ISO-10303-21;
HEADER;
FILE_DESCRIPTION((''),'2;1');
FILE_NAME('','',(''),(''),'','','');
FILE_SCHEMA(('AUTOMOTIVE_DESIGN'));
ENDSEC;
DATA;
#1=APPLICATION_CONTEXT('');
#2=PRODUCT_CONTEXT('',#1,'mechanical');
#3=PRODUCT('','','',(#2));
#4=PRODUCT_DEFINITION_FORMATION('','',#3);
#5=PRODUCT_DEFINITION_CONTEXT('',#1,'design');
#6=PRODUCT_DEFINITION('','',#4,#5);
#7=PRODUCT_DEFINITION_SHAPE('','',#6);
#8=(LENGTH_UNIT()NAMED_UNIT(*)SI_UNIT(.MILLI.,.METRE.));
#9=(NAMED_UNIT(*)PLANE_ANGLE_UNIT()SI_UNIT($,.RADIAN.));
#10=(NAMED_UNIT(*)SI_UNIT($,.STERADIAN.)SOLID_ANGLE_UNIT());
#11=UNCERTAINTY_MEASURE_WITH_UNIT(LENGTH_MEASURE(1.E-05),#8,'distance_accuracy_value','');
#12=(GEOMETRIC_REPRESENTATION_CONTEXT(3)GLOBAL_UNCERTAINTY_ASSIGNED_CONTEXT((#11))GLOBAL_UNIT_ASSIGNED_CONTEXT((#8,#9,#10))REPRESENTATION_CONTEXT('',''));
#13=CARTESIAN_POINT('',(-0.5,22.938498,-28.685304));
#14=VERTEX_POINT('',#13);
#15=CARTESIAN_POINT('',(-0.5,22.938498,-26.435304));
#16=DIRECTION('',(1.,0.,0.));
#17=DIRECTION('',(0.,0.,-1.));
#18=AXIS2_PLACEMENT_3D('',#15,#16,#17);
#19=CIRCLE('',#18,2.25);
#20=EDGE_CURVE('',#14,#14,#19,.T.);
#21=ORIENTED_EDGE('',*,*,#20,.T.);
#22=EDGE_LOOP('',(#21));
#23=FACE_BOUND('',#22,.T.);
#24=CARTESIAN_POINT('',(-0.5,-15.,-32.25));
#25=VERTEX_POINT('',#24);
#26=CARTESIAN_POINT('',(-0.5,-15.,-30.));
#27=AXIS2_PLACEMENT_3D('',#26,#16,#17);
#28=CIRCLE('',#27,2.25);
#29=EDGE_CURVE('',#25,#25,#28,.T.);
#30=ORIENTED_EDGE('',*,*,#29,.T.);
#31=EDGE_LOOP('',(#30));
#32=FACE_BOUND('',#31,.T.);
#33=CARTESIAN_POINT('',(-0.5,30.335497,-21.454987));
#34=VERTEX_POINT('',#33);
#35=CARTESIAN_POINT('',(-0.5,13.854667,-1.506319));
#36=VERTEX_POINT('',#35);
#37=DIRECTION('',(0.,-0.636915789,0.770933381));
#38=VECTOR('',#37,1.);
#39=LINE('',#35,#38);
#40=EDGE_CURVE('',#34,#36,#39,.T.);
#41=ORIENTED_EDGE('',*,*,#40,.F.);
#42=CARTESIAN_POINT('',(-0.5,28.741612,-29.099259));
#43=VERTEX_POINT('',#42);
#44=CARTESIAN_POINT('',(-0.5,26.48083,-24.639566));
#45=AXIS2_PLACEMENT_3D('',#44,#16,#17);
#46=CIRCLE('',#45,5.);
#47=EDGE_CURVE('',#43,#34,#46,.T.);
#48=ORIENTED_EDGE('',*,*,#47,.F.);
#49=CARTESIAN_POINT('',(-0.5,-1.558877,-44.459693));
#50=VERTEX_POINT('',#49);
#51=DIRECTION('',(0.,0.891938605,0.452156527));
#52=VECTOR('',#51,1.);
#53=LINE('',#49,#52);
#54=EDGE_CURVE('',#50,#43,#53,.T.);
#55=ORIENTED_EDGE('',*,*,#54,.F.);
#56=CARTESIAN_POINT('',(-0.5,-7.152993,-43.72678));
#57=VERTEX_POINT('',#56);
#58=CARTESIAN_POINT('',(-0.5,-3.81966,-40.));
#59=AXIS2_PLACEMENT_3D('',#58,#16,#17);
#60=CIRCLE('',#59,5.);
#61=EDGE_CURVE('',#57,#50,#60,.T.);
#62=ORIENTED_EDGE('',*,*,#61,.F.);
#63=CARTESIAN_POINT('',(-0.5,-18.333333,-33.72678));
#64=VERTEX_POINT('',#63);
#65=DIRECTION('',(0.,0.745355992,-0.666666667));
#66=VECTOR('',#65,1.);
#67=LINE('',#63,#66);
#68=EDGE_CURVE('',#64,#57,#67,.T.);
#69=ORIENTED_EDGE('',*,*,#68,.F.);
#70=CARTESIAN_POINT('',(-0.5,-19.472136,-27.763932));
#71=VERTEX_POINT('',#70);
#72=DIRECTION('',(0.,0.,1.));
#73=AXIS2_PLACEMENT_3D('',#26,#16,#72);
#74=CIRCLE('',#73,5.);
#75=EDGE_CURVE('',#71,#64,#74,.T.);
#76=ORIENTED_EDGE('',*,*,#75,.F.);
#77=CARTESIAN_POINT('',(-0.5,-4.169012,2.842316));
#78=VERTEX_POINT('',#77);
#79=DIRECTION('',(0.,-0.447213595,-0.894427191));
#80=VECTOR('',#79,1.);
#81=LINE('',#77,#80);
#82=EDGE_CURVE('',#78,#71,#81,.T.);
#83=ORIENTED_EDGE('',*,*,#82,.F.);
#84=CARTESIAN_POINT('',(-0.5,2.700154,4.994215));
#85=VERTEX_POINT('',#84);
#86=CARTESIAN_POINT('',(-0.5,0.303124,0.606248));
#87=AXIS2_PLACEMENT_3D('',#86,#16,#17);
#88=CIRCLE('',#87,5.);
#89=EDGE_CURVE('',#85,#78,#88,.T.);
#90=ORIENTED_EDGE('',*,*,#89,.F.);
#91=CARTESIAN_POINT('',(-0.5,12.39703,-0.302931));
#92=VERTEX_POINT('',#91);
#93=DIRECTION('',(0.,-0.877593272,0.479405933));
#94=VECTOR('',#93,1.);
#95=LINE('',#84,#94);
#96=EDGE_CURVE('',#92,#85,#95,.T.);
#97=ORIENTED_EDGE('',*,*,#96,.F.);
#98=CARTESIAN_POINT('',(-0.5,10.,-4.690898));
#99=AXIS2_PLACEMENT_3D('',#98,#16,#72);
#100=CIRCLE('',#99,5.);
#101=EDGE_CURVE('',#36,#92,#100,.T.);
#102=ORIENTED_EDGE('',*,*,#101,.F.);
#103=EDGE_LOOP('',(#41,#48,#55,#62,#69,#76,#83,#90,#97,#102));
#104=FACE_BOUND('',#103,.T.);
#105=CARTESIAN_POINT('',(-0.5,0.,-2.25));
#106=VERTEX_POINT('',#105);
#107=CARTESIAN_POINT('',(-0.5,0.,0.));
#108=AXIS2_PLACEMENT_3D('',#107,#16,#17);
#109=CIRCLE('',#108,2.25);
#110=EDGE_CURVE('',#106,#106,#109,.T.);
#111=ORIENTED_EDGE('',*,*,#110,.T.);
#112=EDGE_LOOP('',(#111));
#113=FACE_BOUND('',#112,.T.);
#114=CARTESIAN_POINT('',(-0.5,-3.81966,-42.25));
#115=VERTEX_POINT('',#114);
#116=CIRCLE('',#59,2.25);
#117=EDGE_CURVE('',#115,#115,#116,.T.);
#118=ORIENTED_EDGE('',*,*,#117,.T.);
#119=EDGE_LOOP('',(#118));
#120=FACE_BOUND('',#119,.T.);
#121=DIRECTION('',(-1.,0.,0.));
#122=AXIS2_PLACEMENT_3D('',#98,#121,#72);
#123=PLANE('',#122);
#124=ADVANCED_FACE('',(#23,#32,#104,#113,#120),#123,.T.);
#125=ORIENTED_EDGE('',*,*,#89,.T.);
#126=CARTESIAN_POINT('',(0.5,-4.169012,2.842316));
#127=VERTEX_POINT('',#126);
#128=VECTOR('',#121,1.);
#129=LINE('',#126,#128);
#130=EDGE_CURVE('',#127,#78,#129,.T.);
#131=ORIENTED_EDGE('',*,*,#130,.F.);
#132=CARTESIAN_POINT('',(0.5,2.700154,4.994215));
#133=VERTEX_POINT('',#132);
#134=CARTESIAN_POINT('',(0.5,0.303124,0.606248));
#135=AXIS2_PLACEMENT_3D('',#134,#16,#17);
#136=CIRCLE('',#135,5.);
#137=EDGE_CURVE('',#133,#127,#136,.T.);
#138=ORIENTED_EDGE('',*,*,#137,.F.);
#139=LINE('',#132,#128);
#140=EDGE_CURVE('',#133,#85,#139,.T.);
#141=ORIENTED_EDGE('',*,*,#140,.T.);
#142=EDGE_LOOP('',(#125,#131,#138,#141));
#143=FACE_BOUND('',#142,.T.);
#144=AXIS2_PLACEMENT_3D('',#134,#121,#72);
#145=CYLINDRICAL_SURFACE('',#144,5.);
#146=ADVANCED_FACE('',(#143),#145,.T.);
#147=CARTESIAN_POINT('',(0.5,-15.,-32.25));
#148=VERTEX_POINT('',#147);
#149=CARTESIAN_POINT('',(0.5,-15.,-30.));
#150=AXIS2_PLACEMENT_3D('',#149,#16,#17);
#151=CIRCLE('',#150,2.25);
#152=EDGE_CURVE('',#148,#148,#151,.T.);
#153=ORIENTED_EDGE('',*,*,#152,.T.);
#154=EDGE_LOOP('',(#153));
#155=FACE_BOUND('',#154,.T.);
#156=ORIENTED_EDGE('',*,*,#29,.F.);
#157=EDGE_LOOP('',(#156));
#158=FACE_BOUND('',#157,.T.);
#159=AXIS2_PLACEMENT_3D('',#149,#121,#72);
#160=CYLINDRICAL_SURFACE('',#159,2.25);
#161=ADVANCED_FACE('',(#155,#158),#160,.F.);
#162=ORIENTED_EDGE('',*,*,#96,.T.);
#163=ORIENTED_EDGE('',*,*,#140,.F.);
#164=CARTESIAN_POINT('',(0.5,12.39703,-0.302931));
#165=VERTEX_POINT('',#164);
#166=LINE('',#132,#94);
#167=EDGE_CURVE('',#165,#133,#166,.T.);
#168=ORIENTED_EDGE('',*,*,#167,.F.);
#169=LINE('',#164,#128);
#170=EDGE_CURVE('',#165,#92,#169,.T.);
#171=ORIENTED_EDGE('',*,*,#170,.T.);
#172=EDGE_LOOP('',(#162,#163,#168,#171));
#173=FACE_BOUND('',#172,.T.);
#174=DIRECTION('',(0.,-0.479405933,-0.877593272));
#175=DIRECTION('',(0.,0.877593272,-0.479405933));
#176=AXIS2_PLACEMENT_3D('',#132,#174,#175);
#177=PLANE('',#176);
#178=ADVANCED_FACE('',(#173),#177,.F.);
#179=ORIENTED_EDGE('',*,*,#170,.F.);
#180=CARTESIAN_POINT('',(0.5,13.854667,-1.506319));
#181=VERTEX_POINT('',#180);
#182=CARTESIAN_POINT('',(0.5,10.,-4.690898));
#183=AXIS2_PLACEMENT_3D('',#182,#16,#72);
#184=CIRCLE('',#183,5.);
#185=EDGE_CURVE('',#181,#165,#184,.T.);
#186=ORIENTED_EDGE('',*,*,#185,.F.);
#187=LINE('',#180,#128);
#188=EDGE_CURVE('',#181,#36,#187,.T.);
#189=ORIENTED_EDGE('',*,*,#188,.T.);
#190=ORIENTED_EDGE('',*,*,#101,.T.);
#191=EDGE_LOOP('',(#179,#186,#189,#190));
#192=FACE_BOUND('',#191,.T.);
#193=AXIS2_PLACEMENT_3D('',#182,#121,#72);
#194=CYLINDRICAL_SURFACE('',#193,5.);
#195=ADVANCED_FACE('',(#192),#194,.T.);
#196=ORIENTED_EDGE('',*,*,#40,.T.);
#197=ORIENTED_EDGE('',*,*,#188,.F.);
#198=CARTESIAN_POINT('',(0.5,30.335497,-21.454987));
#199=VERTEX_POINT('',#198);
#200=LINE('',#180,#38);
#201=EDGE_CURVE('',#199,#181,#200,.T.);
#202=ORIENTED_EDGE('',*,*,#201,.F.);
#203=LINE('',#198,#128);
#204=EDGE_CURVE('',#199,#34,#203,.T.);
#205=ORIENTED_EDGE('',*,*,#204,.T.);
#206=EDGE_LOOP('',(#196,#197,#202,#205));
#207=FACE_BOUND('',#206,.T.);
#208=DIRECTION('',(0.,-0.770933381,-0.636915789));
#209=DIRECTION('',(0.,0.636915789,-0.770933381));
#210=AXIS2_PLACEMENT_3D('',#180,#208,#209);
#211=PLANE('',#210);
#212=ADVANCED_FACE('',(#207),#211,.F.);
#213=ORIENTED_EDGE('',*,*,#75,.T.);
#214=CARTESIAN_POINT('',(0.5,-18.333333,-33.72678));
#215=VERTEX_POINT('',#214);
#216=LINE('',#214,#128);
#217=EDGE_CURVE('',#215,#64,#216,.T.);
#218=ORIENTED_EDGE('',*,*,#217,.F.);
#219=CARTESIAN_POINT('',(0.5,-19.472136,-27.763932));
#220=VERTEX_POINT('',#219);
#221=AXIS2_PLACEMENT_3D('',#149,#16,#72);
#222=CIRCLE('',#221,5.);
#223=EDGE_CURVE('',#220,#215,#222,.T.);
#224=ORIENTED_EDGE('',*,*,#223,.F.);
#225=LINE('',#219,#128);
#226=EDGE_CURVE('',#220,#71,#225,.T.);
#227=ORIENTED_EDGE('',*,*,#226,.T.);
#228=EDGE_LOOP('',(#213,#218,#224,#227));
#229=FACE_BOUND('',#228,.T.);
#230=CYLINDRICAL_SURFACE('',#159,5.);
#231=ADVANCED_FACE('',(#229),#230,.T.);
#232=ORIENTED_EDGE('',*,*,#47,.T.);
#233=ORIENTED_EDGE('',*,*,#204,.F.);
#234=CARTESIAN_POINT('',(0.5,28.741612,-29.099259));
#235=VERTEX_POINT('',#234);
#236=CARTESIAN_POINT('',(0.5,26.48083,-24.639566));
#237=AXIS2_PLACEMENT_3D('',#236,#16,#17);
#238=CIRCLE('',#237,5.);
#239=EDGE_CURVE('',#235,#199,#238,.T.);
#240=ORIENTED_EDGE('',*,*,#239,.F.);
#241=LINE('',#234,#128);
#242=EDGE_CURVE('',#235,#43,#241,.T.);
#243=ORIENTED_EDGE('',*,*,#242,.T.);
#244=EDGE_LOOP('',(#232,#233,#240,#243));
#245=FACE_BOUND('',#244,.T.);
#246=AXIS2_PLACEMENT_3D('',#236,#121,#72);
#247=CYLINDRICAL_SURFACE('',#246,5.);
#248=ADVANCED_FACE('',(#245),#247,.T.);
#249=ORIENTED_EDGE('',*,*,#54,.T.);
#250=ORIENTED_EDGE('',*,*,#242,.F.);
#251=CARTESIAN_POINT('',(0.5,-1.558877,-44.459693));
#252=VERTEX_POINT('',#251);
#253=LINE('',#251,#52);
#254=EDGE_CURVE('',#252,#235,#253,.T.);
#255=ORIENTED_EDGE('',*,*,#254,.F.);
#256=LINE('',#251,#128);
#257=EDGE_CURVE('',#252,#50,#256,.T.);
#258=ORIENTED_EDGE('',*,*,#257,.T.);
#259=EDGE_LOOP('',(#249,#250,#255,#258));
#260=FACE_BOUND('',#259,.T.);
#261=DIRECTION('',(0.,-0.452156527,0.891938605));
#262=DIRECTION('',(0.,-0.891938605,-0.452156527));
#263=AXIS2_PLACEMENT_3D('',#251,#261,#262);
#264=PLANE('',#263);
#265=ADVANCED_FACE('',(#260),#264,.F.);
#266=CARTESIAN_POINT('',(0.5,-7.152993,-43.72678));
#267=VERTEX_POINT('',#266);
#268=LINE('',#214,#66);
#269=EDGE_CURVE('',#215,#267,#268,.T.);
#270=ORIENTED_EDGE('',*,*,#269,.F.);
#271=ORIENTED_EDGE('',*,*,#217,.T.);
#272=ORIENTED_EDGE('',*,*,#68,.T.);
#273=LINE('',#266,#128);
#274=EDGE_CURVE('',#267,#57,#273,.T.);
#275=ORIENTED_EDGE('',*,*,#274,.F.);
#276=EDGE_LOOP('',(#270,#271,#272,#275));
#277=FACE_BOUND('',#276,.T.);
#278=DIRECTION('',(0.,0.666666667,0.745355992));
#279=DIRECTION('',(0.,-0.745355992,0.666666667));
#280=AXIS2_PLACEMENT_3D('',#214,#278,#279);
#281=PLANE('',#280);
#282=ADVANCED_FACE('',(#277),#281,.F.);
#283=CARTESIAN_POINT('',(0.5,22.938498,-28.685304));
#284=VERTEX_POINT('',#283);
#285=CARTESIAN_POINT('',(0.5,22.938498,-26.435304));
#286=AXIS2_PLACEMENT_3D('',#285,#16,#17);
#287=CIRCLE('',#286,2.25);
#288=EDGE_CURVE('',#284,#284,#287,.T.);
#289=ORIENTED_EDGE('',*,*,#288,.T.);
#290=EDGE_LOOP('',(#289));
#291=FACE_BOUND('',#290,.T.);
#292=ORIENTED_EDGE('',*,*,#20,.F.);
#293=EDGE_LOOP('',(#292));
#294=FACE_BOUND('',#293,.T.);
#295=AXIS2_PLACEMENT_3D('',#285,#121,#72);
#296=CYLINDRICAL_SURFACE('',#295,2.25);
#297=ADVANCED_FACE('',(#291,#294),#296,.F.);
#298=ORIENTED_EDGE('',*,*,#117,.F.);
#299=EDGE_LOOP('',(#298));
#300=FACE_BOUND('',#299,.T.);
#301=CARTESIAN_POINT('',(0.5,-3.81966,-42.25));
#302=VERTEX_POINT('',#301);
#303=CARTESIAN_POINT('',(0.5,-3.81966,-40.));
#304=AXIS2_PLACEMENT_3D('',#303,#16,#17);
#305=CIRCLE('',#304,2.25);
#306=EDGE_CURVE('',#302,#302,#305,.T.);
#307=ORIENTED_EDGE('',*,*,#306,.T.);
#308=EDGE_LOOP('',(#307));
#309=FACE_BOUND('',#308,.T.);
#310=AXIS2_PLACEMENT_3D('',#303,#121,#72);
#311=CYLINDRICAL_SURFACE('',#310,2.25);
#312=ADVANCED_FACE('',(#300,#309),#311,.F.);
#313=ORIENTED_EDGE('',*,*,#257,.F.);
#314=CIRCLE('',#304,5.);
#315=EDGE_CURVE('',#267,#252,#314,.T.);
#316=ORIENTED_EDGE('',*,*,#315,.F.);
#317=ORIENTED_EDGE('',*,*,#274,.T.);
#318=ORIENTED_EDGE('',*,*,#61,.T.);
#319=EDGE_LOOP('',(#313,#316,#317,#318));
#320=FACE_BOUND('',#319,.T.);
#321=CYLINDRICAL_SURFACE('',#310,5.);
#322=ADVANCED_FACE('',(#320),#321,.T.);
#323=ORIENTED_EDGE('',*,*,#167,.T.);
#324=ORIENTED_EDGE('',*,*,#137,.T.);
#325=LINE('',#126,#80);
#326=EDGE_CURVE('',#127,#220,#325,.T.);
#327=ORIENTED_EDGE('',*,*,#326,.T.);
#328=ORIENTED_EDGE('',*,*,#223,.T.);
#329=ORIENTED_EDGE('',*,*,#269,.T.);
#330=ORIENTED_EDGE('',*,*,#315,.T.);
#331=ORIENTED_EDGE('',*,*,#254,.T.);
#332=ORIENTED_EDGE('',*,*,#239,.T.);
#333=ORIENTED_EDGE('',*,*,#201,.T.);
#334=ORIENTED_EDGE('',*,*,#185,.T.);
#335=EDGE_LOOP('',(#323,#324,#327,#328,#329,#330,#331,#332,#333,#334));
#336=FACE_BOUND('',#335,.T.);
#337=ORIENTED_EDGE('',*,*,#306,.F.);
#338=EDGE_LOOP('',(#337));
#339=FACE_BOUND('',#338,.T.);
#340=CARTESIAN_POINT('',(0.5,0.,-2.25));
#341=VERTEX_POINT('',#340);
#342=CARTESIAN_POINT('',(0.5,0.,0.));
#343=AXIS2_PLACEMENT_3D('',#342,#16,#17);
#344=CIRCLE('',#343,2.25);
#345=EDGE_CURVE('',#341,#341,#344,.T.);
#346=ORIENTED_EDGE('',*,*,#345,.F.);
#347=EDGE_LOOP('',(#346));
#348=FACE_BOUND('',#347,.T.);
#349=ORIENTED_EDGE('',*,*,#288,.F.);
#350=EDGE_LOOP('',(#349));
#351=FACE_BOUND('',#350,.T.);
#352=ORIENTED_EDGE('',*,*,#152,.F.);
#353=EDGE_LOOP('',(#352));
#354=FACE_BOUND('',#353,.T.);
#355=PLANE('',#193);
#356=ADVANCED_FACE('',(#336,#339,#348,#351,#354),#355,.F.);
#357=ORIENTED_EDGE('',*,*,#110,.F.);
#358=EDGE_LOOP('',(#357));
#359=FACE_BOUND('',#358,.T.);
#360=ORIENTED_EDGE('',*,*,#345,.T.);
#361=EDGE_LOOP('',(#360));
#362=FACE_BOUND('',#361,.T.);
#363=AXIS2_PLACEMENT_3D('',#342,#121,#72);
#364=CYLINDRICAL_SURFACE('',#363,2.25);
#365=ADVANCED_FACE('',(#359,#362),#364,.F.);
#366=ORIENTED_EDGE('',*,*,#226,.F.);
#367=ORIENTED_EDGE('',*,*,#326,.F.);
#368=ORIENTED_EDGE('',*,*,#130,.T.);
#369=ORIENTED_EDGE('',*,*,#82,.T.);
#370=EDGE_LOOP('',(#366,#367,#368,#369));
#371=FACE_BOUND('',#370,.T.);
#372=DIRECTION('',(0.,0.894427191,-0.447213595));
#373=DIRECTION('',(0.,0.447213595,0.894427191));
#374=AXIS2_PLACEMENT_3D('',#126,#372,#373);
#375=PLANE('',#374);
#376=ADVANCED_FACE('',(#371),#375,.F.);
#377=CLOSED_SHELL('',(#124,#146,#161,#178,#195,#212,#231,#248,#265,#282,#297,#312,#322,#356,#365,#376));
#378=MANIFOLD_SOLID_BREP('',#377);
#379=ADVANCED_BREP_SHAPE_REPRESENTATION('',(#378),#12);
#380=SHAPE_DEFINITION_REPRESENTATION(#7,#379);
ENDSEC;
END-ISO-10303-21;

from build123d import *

# Parameters (mm, degrees)
SKETCH1_R           = 2.25
BOSS_EXTRUDE1_DEPTH = 0.5


with BuildPart() as part:
    # Sketch1 → Boss-Extrude1 (new body, symmetric)
    with BuildSketch(Plane(origin=(0, 0, 0), x_dir=(0, 0, -1), z_dir=(1, 0, 0))):
        with BuildLine():
            Line((-2.842316383, -4.169011752), (27.763932023, -19.472135955))
            ThreePointArc((27.763932023, -19.472135955), (30.93796237, -19.911234732), (33.726779962, -18.333333333))
            Line((33.726779962, -18.333333333), (43.726779962, -7.152993446))
            ThreePointArc((43.726779962, -7.152993446), (44.957632334, -4.469184277), (44.459693025, -1.558877478))
            Line((44.459693025, -1.558877478), (29.09925887, 28.74161228))
            ThreePointArc((29.09925887, 28.74161228), (25.660151825, 31.375561942), (21.454986898, 30.335496549))
            Line((21.454986898, 30.335496549), (1.506318758, 13.854666903))
            ThreePointArc((1.506318758, 13.854666903), (0.835117993, 13.183231504), (0.302931344, 12.397029665))
            Line((0.302931344, 12.397029665), (-4.994214766, 2.700153867))
            ThreePointArc((-4.994214766, 2.700153867), (-5.377602176, -1.19159423), (-2.842316383, -4.169011752))
        make_face()
        with Locations((30, -15)):
            Circle(SKETCH1_R, mode=Mode.SUBTRACT)
        with Locations((40, -3.819660113)):
            Circle(SKETCH1_R, mode=Mode.SUBTRACT)
        Circle(SKETCH1_R, mode=Mode.SUBTRACT)
        with Locations((26.435304192, 22.938498039)):
            Circle(SKETCH1_R, mode=Mode.SUBTRACT)
    extrude(amount=BOSS_EXTRUDE1_DEPTH, both=True)


solid = part.part
